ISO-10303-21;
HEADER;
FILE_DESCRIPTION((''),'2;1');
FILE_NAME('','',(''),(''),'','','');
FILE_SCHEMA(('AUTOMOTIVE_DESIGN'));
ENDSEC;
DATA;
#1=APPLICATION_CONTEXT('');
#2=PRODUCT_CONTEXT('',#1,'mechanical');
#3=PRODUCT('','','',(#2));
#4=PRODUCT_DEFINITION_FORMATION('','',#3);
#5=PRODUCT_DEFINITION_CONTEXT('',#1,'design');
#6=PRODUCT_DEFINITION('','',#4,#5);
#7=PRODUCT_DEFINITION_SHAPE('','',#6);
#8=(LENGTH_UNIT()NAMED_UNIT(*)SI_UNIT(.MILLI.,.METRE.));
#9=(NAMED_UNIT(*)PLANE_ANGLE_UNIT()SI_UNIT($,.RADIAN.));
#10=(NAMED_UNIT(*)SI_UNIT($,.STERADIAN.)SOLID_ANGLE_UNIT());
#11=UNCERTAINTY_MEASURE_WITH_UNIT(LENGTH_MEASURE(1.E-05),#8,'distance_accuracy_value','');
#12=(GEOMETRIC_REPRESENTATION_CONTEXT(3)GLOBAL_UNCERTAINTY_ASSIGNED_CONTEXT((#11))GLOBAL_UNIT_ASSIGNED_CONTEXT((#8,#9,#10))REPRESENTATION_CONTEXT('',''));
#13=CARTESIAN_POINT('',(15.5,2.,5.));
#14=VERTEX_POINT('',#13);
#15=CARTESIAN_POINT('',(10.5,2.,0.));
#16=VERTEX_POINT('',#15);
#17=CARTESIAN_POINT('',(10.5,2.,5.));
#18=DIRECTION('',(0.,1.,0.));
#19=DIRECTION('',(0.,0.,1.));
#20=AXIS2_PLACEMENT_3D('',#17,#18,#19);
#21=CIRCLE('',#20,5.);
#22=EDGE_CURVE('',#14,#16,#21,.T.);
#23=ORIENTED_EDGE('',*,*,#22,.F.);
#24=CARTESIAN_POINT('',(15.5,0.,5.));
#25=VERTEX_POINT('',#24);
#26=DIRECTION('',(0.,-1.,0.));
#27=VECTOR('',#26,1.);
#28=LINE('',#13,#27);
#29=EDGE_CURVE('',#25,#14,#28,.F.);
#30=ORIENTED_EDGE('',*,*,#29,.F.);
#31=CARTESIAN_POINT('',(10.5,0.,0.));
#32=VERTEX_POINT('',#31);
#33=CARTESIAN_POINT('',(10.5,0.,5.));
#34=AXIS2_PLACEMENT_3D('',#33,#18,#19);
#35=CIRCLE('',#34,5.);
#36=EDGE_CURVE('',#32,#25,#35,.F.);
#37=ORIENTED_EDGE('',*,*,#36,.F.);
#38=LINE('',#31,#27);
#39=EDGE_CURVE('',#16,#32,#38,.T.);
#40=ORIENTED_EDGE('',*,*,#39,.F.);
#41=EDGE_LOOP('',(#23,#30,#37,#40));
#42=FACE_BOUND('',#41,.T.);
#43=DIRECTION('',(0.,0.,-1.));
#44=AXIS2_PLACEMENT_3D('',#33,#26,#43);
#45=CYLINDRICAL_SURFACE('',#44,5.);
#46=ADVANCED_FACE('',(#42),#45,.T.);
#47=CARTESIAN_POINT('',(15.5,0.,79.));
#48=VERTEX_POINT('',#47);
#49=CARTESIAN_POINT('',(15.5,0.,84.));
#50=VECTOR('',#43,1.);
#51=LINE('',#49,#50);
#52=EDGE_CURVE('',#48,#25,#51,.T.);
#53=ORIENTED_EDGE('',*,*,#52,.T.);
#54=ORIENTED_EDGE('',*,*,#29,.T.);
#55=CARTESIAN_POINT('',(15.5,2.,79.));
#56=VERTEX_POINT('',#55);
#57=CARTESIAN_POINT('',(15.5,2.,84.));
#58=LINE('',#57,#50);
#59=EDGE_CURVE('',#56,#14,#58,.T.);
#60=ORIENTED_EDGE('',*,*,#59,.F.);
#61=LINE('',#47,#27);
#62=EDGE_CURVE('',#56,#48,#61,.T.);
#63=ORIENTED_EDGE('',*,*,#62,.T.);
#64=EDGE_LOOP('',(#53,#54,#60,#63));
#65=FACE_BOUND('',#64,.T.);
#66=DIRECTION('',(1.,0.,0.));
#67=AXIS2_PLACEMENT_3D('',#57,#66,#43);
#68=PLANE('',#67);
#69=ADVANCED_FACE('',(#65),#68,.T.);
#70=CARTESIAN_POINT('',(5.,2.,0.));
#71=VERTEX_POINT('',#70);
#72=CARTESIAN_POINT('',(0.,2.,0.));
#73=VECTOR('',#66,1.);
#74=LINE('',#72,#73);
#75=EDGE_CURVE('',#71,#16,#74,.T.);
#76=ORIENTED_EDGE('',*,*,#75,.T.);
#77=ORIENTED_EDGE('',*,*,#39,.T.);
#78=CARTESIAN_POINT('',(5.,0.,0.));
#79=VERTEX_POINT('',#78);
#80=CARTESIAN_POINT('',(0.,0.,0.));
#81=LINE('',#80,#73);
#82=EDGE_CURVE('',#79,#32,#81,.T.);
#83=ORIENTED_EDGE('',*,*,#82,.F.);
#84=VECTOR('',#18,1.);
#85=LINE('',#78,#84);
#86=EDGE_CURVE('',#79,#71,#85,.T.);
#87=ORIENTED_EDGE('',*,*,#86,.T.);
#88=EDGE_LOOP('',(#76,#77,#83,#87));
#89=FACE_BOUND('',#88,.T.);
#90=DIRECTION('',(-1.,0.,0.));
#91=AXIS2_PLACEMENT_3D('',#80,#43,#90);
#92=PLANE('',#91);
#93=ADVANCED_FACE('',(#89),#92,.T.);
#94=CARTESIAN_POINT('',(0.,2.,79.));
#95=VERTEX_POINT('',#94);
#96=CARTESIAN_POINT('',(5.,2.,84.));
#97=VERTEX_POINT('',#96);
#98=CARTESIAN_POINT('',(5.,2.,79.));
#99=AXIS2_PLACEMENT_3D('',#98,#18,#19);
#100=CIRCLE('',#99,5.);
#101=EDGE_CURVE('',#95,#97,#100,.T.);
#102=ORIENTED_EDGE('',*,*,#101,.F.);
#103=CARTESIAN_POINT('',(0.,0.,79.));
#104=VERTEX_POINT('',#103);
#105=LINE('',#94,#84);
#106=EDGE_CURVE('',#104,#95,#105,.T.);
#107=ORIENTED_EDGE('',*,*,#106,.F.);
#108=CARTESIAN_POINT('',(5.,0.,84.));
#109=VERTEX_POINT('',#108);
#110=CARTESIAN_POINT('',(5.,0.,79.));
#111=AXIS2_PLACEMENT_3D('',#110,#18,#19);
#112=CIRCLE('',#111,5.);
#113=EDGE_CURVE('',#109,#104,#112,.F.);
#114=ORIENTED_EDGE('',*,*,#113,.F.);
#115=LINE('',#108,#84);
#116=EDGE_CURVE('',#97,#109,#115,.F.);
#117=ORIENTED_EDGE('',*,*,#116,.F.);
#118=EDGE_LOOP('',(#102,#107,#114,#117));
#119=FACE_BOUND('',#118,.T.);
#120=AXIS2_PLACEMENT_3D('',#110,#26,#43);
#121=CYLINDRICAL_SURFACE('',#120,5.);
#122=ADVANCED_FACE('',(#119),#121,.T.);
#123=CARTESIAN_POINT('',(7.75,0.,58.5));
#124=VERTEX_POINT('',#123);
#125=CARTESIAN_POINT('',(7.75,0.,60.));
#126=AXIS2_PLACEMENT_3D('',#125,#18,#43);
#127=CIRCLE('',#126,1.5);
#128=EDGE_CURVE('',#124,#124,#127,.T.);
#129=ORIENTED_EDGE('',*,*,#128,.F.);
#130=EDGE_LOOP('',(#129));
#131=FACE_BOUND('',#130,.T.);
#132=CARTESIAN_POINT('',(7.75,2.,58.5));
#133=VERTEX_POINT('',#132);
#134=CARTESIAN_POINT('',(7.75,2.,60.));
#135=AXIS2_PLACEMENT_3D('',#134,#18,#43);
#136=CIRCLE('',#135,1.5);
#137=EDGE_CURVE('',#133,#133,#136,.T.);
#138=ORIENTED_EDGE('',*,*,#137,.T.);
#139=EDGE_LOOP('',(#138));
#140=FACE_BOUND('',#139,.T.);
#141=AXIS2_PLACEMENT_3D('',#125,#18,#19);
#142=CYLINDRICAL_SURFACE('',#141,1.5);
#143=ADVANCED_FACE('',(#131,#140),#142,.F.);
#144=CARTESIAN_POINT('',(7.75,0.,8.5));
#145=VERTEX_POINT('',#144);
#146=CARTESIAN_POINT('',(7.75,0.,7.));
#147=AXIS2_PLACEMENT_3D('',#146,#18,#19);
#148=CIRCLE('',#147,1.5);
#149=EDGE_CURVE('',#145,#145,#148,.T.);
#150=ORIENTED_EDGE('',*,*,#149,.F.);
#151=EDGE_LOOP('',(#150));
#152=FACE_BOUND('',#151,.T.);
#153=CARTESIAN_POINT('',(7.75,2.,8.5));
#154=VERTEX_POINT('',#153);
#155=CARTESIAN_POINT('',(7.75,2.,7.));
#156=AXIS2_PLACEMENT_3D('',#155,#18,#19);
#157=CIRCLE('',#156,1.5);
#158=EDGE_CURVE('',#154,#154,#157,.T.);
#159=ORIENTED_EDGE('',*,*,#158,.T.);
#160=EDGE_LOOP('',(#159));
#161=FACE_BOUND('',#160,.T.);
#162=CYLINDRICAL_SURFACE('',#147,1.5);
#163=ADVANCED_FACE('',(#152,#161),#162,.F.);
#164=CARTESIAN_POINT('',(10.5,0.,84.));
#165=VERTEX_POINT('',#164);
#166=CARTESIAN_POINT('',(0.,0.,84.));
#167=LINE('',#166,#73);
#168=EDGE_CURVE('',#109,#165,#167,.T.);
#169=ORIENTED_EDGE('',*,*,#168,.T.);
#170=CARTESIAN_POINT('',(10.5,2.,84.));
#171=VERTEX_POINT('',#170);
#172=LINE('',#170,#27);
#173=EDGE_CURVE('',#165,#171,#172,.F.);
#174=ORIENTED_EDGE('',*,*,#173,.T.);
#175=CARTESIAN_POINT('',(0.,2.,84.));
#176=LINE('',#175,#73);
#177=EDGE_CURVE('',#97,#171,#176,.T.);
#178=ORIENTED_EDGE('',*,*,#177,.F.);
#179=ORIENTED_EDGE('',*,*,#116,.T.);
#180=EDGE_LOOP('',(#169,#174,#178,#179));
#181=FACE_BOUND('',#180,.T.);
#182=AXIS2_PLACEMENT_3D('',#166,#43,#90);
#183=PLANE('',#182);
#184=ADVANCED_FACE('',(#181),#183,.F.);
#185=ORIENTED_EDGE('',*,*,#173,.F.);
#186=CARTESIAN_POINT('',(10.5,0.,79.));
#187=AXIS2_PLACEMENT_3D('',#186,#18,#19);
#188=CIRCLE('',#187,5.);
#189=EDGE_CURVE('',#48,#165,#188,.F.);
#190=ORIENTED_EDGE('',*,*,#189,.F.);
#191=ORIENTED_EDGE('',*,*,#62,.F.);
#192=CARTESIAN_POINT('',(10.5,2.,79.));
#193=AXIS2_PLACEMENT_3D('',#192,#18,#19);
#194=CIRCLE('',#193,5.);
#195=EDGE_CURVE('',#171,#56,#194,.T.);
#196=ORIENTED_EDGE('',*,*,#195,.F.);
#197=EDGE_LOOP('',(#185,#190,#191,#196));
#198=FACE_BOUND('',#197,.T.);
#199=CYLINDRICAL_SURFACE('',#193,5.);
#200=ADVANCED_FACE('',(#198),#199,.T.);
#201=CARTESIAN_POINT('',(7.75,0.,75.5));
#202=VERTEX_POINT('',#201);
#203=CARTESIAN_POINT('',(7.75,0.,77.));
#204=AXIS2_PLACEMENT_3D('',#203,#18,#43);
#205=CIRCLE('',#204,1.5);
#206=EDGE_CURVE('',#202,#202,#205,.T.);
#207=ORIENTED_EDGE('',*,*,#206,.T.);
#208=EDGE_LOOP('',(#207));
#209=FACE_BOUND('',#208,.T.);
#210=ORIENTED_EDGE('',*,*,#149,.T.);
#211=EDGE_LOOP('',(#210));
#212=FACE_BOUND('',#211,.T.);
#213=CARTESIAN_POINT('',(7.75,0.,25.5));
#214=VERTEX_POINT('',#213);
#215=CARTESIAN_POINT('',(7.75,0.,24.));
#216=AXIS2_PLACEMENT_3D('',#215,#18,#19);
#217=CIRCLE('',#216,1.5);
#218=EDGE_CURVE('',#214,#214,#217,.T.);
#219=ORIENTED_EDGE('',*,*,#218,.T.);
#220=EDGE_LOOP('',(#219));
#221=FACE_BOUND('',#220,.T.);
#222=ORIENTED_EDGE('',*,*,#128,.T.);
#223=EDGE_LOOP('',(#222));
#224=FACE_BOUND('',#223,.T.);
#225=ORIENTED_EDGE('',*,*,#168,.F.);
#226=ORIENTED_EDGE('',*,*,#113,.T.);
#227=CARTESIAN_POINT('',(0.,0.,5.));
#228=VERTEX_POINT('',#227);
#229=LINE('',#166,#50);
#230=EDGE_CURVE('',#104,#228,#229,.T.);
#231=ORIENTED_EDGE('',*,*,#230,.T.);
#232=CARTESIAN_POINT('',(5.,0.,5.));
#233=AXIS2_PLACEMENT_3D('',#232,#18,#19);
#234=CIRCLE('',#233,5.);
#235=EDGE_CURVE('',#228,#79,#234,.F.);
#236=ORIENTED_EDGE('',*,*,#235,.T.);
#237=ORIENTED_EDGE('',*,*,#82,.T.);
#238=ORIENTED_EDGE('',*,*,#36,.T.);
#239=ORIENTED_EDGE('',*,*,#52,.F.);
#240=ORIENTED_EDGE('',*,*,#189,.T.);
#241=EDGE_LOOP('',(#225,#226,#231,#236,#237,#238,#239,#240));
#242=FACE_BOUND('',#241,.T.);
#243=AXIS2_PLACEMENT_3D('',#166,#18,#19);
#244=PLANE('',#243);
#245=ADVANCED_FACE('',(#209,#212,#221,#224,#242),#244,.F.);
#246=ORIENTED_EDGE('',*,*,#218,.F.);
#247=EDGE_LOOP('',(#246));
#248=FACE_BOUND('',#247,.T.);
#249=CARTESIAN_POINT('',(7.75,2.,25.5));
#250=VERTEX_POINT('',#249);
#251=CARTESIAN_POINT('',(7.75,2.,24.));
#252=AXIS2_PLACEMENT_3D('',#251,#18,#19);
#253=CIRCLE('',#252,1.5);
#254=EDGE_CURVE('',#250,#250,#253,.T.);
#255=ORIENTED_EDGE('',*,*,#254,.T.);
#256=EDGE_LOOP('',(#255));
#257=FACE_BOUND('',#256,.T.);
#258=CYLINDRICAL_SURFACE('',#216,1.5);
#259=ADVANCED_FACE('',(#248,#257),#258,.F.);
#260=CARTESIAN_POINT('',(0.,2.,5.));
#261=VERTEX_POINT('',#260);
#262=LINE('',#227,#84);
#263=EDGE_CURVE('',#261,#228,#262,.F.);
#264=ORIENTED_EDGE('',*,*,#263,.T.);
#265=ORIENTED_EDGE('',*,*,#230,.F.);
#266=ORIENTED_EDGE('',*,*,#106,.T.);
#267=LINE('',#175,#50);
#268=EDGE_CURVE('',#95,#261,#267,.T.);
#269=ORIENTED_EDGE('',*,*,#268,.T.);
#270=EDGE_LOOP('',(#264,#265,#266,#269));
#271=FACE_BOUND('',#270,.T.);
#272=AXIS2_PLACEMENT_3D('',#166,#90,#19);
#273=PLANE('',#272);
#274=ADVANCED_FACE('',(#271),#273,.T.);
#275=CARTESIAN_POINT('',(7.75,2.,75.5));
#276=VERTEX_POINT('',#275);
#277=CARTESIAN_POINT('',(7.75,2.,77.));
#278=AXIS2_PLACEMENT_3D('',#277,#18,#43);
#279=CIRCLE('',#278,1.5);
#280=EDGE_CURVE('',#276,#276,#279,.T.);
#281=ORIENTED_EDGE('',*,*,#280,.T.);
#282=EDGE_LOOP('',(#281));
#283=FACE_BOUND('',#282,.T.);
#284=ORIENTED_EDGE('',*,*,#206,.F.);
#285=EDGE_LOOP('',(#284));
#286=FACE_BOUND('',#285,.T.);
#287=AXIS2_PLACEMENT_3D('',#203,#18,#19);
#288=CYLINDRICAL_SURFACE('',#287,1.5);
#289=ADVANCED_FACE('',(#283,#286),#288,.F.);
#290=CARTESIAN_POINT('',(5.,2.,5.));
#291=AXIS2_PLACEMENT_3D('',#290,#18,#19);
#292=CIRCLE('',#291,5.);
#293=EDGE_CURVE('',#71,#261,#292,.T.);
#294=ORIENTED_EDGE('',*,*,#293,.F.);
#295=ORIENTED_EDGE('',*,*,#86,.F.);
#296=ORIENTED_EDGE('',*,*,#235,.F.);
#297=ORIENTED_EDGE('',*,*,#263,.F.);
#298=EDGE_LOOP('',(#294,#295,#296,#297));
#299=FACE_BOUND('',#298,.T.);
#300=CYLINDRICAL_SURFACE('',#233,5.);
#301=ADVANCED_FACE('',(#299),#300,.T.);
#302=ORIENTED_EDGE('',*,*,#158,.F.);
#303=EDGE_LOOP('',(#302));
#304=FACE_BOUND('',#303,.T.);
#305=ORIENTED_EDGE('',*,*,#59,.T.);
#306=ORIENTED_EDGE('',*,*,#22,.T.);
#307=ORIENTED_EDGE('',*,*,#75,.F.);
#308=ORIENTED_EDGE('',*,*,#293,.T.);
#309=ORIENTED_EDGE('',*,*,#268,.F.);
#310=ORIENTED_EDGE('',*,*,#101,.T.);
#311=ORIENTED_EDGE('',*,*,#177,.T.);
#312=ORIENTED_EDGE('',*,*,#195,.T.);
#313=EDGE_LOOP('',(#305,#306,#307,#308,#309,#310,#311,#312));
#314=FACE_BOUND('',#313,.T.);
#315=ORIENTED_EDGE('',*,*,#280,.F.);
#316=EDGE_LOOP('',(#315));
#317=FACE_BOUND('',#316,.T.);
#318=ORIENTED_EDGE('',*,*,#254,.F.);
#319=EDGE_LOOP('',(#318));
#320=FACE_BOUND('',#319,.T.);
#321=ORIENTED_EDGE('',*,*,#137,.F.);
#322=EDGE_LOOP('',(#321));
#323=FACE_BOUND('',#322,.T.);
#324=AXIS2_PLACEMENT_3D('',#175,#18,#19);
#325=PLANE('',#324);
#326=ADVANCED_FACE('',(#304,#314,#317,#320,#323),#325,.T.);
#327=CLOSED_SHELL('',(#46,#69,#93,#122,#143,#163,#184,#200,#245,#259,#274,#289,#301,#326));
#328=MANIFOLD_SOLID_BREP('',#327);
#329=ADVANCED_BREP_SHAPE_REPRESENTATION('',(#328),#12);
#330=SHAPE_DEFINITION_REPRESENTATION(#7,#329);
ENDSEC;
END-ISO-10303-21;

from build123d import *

# Parameters (mm, degrees)
ESQUISSE1_W             = 15.5
ESQUISSE1_H             = 2
EXTRU_MINCE1_DEPTH      = 84
ESQUISSE2_R             = 1.5
ENL_V_MAT_EXTRU_1_DEPTH = 86.441500455
CONG_1_R                = 5


with BuildPart() as part:
    # Esquisse1 → Extru.-Mince1 (new body)
    with BuildSketch(Plane.XY):
        with Locations((7.75, 1)):
            Rectangle(ESQUISSE1_W, ESQUISSE1_H)
    extrude(amount=EXTRU_MINCE1_DEPTH)

    # Esquisse2 → Enlèv. mat.-Extru.1 (cut, through all)
    with BuildSketch(Plane(origin=(0, 2, 0), x_dir=(1, 0, 0), z_dir=(0, 1, 0))):
        with Locations(Location((7.75, -24, 0), (0, 0, 270))):
            Circle(ESQUISSE2_R)
        with Locations(Location((7.75, -7, 0), (0, 0, 270))):
            Circle(ESQUISSE2_R)
        with Locations(Location((7.75, -77, 0), (0, 0, 90))):
            Circle(ESQUISSE2_R)
        with Locations(Location((7.75, -60, 0), (0, 0, 90))):
            Circle(ESQUISSE2_R)
    extrude(amount=-ENL_V_MAT_EXTRU_1_DEPTH, mode=Mode.SUBTRACT)

    # Congé1
    cong_1_edges = [part.edges().sort_by_distance(p)[0] for p in [
        (0, 1, 84),
        (0, 1, 0),
        (15.5, 1, 0),
        (15.5, 1, 84),
    ]]
    fillet(cong_1_edges, radius=CONG_1_R)


solid = part.part
